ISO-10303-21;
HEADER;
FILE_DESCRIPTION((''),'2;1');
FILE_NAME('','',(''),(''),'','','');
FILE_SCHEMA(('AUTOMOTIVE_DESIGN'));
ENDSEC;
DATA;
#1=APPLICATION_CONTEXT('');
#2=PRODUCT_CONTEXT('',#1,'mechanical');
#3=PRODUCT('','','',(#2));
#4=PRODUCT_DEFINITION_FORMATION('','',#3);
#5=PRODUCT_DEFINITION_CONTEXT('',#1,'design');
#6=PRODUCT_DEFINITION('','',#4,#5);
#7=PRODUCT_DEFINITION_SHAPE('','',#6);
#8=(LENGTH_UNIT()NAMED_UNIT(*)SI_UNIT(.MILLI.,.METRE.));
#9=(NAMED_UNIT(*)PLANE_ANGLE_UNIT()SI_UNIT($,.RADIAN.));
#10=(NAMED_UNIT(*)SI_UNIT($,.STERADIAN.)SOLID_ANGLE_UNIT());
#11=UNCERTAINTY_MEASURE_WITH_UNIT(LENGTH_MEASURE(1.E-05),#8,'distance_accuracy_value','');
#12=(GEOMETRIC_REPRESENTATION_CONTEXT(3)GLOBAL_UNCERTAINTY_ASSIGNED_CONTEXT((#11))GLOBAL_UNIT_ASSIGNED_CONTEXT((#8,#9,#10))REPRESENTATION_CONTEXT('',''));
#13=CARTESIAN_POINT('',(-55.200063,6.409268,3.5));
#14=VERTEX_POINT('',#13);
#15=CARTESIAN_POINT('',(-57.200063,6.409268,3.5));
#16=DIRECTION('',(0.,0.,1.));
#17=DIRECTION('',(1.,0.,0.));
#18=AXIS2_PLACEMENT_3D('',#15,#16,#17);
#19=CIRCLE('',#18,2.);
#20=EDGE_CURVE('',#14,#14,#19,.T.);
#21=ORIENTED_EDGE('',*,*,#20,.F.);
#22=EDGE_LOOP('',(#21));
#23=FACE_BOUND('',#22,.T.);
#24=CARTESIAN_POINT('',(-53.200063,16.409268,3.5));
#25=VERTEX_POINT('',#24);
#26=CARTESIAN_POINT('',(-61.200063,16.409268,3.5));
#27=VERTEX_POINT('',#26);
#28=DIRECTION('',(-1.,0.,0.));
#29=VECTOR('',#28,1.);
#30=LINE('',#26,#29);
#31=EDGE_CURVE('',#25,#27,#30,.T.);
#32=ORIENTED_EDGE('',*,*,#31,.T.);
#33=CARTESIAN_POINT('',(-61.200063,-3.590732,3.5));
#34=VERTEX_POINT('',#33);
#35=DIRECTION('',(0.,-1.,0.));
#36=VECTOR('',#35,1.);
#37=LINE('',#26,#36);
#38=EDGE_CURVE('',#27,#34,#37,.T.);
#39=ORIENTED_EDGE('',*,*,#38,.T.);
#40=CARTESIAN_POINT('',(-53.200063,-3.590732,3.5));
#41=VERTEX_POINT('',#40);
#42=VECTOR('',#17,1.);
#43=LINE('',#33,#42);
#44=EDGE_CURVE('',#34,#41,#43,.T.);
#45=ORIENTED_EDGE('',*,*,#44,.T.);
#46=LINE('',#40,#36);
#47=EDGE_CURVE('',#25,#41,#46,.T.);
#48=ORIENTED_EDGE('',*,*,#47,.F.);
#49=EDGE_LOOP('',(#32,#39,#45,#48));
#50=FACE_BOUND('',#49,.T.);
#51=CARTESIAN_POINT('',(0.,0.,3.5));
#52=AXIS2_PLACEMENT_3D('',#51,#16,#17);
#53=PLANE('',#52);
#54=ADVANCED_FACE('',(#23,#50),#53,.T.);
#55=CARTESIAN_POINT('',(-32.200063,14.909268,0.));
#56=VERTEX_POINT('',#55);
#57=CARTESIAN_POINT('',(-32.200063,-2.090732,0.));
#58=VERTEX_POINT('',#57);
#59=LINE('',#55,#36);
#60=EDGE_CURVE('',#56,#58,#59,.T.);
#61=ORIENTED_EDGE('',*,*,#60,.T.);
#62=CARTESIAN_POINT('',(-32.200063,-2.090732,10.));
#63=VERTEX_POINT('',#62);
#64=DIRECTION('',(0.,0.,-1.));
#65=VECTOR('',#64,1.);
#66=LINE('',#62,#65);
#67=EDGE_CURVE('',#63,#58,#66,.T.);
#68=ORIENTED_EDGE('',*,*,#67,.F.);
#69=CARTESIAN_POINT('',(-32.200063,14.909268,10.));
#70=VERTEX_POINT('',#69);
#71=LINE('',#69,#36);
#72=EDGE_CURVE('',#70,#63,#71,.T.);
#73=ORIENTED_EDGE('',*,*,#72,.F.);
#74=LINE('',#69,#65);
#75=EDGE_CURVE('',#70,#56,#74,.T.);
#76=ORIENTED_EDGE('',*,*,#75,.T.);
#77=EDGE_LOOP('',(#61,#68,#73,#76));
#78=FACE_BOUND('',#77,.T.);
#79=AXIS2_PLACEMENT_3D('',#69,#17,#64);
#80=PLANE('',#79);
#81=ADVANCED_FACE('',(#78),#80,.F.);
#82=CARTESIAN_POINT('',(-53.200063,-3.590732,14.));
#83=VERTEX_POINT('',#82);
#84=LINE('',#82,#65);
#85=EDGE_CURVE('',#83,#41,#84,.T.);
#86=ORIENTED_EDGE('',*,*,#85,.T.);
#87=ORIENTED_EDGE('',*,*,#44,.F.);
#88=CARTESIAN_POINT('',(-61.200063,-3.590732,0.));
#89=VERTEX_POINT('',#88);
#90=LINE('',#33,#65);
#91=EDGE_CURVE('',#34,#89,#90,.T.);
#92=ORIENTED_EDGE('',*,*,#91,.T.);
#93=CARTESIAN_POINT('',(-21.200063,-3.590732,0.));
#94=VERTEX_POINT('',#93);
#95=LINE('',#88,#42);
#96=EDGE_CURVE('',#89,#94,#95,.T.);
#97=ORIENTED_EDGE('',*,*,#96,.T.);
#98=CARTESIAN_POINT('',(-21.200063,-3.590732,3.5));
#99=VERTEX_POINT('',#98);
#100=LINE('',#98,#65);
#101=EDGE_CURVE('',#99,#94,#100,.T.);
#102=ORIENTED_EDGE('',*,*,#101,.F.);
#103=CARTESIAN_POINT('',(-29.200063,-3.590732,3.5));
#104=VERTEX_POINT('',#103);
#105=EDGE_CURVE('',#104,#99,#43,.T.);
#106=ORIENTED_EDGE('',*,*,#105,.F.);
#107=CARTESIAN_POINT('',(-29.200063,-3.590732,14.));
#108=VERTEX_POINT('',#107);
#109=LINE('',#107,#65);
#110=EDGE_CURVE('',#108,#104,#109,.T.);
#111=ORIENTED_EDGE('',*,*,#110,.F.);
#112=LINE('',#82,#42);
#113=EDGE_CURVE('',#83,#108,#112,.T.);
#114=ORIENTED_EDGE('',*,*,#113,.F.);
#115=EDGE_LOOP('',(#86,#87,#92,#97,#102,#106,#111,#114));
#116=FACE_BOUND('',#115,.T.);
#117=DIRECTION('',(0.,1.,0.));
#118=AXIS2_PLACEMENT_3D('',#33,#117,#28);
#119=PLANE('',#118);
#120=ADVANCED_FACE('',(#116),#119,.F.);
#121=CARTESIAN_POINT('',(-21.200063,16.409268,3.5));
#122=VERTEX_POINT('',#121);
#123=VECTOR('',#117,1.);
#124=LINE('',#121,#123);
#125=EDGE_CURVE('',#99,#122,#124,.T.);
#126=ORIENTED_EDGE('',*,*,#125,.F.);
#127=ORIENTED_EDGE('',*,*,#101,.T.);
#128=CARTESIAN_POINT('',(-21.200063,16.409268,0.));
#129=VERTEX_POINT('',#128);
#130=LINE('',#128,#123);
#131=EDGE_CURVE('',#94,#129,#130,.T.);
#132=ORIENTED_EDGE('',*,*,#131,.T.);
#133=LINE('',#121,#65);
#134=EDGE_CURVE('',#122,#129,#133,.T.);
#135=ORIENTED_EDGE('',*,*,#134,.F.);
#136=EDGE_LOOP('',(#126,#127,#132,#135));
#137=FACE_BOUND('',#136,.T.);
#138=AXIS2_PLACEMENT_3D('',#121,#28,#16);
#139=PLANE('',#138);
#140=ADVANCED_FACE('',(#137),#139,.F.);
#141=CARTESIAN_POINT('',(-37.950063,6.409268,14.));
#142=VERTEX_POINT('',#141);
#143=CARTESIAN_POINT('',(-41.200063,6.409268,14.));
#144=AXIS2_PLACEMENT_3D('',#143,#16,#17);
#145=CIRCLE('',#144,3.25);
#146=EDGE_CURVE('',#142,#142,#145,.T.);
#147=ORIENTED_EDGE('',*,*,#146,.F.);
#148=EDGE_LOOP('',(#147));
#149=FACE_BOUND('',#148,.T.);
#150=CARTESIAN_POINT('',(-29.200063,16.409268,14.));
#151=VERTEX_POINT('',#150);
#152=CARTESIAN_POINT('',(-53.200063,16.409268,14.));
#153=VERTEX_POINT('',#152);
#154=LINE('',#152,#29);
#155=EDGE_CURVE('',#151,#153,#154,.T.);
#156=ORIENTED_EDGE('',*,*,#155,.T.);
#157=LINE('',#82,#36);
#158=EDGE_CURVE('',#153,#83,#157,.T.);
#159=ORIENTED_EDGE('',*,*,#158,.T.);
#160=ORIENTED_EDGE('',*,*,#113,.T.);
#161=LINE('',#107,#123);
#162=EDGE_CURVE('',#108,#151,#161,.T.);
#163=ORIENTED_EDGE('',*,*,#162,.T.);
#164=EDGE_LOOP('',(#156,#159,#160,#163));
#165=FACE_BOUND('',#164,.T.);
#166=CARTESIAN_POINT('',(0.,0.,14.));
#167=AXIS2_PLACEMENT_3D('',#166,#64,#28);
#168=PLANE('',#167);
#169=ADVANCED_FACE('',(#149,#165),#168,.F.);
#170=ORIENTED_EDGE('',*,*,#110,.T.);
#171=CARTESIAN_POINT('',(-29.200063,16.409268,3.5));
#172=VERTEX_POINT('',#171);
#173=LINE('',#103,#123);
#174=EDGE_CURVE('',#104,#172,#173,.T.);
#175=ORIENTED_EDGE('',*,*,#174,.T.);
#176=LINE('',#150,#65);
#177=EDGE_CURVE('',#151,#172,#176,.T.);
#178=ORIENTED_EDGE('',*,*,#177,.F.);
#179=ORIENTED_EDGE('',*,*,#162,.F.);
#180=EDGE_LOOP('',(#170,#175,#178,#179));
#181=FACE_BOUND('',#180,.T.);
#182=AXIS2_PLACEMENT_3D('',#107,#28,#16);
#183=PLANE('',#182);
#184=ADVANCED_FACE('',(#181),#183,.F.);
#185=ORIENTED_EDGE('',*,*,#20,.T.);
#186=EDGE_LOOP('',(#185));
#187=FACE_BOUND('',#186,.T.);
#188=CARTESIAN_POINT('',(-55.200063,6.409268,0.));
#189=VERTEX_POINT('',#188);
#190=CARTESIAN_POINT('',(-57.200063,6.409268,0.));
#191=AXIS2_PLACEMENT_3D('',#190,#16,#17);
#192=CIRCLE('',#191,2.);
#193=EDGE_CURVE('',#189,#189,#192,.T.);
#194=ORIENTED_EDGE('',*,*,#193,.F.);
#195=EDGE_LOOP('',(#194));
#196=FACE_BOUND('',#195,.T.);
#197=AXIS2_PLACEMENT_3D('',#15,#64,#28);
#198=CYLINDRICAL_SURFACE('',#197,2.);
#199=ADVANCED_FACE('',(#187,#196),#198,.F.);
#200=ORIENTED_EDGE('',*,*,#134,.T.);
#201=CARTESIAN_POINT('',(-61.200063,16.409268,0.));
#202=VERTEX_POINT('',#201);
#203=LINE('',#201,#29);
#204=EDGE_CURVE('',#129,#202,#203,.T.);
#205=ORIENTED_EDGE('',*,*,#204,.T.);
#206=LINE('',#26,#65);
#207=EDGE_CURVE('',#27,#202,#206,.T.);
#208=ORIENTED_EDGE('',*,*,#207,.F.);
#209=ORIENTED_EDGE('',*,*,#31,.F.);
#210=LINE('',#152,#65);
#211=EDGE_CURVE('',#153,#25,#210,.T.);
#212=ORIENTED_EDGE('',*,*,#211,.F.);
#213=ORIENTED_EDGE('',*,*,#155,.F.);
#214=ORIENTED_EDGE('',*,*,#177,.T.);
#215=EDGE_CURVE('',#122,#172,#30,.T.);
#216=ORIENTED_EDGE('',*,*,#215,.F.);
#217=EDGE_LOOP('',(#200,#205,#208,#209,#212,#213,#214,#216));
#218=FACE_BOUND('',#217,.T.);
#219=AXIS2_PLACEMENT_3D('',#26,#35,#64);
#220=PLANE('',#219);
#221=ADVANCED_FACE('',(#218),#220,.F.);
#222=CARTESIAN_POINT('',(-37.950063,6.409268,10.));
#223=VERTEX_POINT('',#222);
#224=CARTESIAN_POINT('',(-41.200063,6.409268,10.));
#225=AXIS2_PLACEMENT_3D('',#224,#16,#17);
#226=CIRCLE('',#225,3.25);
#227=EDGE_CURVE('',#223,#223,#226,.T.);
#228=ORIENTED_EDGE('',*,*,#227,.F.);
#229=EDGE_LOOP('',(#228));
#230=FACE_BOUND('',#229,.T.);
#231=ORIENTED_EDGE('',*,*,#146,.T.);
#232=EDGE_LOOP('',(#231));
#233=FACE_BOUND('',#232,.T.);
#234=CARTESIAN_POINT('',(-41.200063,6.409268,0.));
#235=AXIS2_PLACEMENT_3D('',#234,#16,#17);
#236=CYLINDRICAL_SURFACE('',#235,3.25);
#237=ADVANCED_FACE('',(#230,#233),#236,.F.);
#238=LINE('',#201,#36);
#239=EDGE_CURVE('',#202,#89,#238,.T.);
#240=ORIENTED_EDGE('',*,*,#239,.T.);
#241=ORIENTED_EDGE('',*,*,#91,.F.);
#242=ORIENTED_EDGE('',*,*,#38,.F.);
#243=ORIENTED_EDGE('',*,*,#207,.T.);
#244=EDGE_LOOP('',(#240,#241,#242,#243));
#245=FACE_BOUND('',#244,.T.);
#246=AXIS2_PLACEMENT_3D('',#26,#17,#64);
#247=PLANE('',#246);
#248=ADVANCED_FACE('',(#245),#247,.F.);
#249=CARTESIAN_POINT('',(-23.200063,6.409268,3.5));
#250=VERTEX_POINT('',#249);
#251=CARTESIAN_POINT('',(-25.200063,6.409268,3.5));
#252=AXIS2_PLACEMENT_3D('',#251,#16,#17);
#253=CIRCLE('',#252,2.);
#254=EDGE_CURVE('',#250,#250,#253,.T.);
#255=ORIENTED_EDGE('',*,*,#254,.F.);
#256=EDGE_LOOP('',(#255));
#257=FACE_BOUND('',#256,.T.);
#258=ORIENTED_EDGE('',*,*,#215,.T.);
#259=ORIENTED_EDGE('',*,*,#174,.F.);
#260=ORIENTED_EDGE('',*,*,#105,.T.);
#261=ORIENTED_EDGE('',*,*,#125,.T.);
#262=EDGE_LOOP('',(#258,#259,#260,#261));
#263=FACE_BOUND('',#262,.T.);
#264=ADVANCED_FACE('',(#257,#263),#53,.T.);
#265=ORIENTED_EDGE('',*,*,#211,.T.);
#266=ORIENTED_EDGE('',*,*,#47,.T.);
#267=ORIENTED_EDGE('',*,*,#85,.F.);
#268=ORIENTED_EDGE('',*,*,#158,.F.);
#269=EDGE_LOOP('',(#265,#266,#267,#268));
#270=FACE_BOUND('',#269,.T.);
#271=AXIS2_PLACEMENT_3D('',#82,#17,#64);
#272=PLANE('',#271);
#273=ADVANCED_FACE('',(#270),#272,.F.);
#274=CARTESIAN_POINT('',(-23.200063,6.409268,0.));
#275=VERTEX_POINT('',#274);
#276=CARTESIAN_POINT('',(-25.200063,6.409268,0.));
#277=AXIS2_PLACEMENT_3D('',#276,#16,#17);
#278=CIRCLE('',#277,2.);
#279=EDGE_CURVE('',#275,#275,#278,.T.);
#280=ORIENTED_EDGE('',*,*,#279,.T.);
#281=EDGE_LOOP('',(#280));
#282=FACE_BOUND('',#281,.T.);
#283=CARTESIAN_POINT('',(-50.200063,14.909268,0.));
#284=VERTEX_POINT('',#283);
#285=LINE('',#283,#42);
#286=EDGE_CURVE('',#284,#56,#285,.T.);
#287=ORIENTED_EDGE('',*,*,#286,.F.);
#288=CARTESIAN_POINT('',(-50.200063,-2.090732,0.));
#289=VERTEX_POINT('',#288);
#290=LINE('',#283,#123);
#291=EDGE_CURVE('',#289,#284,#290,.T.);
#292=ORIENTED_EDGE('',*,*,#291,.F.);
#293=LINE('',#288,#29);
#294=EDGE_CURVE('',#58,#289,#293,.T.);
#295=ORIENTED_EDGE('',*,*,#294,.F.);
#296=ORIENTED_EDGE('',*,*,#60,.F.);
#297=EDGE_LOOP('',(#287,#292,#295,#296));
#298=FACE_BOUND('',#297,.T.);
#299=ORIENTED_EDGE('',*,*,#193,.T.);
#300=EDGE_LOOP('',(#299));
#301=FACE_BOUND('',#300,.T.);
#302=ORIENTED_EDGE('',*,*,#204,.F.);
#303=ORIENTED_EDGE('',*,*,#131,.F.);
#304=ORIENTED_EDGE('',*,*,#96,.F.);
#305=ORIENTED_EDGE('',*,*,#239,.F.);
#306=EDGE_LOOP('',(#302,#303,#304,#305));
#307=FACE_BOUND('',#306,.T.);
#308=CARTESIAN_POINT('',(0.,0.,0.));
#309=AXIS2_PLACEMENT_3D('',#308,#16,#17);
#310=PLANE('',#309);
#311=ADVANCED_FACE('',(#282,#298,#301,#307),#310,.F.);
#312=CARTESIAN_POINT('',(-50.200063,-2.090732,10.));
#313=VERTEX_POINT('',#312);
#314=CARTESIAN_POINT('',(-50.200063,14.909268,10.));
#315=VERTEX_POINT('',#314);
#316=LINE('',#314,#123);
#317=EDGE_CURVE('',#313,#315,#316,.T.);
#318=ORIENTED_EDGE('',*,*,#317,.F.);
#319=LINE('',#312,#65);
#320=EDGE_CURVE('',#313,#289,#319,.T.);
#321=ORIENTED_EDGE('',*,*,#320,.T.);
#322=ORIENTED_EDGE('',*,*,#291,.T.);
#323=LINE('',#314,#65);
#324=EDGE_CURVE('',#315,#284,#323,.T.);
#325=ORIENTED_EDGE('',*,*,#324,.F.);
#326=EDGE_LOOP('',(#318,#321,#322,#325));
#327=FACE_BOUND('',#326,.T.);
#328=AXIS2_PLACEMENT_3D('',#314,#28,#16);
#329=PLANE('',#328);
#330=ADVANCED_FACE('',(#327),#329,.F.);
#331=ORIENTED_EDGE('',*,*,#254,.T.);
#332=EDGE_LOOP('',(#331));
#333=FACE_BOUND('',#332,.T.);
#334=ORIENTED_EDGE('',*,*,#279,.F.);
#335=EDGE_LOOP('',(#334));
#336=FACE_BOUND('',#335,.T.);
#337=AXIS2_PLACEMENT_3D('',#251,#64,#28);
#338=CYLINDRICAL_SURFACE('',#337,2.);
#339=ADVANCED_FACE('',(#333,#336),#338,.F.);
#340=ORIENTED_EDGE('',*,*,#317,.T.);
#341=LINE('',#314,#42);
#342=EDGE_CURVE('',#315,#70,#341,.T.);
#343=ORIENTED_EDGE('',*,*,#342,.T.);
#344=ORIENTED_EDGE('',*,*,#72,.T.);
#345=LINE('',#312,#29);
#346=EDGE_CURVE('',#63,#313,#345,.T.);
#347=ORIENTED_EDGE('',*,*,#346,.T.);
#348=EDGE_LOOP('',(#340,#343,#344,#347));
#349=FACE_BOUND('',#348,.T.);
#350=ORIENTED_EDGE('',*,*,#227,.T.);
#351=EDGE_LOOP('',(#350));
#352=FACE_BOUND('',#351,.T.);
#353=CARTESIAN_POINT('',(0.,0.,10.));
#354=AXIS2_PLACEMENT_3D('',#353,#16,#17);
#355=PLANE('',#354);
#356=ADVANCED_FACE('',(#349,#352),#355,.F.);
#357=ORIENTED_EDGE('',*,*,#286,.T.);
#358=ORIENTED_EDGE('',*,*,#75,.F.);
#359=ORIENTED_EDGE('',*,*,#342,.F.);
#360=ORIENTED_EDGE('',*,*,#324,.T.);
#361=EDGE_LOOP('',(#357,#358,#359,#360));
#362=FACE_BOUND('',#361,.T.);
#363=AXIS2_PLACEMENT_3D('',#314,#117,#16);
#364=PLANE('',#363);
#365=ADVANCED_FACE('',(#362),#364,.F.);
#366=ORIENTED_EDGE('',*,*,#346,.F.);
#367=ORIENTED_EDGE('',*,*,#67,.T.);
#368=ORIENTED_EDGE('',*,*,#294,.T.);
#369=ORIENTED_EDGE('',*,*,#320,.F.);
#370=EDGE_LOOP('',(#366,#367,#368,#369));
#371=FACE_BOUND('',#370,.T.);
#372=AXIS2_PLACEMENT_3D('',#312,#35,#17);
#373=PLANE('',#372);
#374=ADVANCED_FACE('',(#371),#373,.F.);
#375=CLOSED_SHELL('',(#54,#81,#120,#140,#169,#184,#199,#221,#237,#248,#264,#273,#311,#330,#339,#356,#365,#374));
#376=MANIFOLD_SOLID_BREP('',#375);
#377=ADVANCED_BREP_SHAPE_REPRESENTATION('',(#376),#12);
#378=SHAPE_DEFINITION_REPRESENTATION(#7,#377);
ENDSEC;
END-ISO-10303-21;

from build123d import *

# Parameters (mm, degrees)
SKETCH2_W           = 40
SKETCH2_H           = 20
SKETCH2_R           = 2
BOSS_EXTRUDE1_DEPTH = 3.5
SKETCH3_W           = 24
SKETCH3_H           = 20
BOSS_EXTRUDE2_DEPTH = 10.5
SKETCH4_W           = 18
SKETCH4_H           = 17
CUT_EXTRUDE2_DEPTH  = 10
SKETCH5_R           = 3.25
CUT_EXTRUDE3_DEPTH  = 15


with BuildPart() as part:
    # Sketch2 → Boss-Extrude1 (new body)
    with BuildSketch(Plane.XY):
        with Locations((-41.200062639, 6.409268178)):
            Rectangle(SKETCH2_W, SKETCH2_H)
        with Locations((-57.200062639, 6.409268178)):
            Circle(SKETCH2_R, mode=Mode.SUBTRACT)
        with Locations((-25.200062639, 6.409268178)):
            Circle(SKETCH2_R, mode=Mode.SUBTRACT)
    extrude(amount=BOSS_EXTRUDE1_DEPTH)

    # Sketch3 → Boss-Extrude2 (add)
    with BuildSketch(Plane.XY.offset(3.5)):
        with Locations((-41.200062639, 6.409268178)):
            Rectangle(SKETCH3_W, SKETCH3_H)
    extrude(amount=BOSS_EXTRUDE2_DEPTH)

    # Sketch4 → Cut-Extrude2 (cut)
    with BuildSketch(Plane(origin=(0, 0, 0), x_dir=(-1, 0, 0), z_dir=(0, 0, -1))):
        with Locations((41.200062639, 6.409268178)):
            Rectangle(SKETCH4_W, SKETCH4_H)
    extrude(amount=-CUT_EXTRUDE2_DEPTH, mode=Mode.SUBTRACT)

    # Sketch5 → Cut-Extrude3 (cut, through all)
    with BuildSketch(Plane.XY.offset(14)):
        with Locations((-41.200062639, 6.409268178)):
            Circle(SKETCH5_R)
    extrude(amount=-CUT_EXTRUDE3_DEPTH, mode=Mode.SUBTRACT)


solid = part.part
